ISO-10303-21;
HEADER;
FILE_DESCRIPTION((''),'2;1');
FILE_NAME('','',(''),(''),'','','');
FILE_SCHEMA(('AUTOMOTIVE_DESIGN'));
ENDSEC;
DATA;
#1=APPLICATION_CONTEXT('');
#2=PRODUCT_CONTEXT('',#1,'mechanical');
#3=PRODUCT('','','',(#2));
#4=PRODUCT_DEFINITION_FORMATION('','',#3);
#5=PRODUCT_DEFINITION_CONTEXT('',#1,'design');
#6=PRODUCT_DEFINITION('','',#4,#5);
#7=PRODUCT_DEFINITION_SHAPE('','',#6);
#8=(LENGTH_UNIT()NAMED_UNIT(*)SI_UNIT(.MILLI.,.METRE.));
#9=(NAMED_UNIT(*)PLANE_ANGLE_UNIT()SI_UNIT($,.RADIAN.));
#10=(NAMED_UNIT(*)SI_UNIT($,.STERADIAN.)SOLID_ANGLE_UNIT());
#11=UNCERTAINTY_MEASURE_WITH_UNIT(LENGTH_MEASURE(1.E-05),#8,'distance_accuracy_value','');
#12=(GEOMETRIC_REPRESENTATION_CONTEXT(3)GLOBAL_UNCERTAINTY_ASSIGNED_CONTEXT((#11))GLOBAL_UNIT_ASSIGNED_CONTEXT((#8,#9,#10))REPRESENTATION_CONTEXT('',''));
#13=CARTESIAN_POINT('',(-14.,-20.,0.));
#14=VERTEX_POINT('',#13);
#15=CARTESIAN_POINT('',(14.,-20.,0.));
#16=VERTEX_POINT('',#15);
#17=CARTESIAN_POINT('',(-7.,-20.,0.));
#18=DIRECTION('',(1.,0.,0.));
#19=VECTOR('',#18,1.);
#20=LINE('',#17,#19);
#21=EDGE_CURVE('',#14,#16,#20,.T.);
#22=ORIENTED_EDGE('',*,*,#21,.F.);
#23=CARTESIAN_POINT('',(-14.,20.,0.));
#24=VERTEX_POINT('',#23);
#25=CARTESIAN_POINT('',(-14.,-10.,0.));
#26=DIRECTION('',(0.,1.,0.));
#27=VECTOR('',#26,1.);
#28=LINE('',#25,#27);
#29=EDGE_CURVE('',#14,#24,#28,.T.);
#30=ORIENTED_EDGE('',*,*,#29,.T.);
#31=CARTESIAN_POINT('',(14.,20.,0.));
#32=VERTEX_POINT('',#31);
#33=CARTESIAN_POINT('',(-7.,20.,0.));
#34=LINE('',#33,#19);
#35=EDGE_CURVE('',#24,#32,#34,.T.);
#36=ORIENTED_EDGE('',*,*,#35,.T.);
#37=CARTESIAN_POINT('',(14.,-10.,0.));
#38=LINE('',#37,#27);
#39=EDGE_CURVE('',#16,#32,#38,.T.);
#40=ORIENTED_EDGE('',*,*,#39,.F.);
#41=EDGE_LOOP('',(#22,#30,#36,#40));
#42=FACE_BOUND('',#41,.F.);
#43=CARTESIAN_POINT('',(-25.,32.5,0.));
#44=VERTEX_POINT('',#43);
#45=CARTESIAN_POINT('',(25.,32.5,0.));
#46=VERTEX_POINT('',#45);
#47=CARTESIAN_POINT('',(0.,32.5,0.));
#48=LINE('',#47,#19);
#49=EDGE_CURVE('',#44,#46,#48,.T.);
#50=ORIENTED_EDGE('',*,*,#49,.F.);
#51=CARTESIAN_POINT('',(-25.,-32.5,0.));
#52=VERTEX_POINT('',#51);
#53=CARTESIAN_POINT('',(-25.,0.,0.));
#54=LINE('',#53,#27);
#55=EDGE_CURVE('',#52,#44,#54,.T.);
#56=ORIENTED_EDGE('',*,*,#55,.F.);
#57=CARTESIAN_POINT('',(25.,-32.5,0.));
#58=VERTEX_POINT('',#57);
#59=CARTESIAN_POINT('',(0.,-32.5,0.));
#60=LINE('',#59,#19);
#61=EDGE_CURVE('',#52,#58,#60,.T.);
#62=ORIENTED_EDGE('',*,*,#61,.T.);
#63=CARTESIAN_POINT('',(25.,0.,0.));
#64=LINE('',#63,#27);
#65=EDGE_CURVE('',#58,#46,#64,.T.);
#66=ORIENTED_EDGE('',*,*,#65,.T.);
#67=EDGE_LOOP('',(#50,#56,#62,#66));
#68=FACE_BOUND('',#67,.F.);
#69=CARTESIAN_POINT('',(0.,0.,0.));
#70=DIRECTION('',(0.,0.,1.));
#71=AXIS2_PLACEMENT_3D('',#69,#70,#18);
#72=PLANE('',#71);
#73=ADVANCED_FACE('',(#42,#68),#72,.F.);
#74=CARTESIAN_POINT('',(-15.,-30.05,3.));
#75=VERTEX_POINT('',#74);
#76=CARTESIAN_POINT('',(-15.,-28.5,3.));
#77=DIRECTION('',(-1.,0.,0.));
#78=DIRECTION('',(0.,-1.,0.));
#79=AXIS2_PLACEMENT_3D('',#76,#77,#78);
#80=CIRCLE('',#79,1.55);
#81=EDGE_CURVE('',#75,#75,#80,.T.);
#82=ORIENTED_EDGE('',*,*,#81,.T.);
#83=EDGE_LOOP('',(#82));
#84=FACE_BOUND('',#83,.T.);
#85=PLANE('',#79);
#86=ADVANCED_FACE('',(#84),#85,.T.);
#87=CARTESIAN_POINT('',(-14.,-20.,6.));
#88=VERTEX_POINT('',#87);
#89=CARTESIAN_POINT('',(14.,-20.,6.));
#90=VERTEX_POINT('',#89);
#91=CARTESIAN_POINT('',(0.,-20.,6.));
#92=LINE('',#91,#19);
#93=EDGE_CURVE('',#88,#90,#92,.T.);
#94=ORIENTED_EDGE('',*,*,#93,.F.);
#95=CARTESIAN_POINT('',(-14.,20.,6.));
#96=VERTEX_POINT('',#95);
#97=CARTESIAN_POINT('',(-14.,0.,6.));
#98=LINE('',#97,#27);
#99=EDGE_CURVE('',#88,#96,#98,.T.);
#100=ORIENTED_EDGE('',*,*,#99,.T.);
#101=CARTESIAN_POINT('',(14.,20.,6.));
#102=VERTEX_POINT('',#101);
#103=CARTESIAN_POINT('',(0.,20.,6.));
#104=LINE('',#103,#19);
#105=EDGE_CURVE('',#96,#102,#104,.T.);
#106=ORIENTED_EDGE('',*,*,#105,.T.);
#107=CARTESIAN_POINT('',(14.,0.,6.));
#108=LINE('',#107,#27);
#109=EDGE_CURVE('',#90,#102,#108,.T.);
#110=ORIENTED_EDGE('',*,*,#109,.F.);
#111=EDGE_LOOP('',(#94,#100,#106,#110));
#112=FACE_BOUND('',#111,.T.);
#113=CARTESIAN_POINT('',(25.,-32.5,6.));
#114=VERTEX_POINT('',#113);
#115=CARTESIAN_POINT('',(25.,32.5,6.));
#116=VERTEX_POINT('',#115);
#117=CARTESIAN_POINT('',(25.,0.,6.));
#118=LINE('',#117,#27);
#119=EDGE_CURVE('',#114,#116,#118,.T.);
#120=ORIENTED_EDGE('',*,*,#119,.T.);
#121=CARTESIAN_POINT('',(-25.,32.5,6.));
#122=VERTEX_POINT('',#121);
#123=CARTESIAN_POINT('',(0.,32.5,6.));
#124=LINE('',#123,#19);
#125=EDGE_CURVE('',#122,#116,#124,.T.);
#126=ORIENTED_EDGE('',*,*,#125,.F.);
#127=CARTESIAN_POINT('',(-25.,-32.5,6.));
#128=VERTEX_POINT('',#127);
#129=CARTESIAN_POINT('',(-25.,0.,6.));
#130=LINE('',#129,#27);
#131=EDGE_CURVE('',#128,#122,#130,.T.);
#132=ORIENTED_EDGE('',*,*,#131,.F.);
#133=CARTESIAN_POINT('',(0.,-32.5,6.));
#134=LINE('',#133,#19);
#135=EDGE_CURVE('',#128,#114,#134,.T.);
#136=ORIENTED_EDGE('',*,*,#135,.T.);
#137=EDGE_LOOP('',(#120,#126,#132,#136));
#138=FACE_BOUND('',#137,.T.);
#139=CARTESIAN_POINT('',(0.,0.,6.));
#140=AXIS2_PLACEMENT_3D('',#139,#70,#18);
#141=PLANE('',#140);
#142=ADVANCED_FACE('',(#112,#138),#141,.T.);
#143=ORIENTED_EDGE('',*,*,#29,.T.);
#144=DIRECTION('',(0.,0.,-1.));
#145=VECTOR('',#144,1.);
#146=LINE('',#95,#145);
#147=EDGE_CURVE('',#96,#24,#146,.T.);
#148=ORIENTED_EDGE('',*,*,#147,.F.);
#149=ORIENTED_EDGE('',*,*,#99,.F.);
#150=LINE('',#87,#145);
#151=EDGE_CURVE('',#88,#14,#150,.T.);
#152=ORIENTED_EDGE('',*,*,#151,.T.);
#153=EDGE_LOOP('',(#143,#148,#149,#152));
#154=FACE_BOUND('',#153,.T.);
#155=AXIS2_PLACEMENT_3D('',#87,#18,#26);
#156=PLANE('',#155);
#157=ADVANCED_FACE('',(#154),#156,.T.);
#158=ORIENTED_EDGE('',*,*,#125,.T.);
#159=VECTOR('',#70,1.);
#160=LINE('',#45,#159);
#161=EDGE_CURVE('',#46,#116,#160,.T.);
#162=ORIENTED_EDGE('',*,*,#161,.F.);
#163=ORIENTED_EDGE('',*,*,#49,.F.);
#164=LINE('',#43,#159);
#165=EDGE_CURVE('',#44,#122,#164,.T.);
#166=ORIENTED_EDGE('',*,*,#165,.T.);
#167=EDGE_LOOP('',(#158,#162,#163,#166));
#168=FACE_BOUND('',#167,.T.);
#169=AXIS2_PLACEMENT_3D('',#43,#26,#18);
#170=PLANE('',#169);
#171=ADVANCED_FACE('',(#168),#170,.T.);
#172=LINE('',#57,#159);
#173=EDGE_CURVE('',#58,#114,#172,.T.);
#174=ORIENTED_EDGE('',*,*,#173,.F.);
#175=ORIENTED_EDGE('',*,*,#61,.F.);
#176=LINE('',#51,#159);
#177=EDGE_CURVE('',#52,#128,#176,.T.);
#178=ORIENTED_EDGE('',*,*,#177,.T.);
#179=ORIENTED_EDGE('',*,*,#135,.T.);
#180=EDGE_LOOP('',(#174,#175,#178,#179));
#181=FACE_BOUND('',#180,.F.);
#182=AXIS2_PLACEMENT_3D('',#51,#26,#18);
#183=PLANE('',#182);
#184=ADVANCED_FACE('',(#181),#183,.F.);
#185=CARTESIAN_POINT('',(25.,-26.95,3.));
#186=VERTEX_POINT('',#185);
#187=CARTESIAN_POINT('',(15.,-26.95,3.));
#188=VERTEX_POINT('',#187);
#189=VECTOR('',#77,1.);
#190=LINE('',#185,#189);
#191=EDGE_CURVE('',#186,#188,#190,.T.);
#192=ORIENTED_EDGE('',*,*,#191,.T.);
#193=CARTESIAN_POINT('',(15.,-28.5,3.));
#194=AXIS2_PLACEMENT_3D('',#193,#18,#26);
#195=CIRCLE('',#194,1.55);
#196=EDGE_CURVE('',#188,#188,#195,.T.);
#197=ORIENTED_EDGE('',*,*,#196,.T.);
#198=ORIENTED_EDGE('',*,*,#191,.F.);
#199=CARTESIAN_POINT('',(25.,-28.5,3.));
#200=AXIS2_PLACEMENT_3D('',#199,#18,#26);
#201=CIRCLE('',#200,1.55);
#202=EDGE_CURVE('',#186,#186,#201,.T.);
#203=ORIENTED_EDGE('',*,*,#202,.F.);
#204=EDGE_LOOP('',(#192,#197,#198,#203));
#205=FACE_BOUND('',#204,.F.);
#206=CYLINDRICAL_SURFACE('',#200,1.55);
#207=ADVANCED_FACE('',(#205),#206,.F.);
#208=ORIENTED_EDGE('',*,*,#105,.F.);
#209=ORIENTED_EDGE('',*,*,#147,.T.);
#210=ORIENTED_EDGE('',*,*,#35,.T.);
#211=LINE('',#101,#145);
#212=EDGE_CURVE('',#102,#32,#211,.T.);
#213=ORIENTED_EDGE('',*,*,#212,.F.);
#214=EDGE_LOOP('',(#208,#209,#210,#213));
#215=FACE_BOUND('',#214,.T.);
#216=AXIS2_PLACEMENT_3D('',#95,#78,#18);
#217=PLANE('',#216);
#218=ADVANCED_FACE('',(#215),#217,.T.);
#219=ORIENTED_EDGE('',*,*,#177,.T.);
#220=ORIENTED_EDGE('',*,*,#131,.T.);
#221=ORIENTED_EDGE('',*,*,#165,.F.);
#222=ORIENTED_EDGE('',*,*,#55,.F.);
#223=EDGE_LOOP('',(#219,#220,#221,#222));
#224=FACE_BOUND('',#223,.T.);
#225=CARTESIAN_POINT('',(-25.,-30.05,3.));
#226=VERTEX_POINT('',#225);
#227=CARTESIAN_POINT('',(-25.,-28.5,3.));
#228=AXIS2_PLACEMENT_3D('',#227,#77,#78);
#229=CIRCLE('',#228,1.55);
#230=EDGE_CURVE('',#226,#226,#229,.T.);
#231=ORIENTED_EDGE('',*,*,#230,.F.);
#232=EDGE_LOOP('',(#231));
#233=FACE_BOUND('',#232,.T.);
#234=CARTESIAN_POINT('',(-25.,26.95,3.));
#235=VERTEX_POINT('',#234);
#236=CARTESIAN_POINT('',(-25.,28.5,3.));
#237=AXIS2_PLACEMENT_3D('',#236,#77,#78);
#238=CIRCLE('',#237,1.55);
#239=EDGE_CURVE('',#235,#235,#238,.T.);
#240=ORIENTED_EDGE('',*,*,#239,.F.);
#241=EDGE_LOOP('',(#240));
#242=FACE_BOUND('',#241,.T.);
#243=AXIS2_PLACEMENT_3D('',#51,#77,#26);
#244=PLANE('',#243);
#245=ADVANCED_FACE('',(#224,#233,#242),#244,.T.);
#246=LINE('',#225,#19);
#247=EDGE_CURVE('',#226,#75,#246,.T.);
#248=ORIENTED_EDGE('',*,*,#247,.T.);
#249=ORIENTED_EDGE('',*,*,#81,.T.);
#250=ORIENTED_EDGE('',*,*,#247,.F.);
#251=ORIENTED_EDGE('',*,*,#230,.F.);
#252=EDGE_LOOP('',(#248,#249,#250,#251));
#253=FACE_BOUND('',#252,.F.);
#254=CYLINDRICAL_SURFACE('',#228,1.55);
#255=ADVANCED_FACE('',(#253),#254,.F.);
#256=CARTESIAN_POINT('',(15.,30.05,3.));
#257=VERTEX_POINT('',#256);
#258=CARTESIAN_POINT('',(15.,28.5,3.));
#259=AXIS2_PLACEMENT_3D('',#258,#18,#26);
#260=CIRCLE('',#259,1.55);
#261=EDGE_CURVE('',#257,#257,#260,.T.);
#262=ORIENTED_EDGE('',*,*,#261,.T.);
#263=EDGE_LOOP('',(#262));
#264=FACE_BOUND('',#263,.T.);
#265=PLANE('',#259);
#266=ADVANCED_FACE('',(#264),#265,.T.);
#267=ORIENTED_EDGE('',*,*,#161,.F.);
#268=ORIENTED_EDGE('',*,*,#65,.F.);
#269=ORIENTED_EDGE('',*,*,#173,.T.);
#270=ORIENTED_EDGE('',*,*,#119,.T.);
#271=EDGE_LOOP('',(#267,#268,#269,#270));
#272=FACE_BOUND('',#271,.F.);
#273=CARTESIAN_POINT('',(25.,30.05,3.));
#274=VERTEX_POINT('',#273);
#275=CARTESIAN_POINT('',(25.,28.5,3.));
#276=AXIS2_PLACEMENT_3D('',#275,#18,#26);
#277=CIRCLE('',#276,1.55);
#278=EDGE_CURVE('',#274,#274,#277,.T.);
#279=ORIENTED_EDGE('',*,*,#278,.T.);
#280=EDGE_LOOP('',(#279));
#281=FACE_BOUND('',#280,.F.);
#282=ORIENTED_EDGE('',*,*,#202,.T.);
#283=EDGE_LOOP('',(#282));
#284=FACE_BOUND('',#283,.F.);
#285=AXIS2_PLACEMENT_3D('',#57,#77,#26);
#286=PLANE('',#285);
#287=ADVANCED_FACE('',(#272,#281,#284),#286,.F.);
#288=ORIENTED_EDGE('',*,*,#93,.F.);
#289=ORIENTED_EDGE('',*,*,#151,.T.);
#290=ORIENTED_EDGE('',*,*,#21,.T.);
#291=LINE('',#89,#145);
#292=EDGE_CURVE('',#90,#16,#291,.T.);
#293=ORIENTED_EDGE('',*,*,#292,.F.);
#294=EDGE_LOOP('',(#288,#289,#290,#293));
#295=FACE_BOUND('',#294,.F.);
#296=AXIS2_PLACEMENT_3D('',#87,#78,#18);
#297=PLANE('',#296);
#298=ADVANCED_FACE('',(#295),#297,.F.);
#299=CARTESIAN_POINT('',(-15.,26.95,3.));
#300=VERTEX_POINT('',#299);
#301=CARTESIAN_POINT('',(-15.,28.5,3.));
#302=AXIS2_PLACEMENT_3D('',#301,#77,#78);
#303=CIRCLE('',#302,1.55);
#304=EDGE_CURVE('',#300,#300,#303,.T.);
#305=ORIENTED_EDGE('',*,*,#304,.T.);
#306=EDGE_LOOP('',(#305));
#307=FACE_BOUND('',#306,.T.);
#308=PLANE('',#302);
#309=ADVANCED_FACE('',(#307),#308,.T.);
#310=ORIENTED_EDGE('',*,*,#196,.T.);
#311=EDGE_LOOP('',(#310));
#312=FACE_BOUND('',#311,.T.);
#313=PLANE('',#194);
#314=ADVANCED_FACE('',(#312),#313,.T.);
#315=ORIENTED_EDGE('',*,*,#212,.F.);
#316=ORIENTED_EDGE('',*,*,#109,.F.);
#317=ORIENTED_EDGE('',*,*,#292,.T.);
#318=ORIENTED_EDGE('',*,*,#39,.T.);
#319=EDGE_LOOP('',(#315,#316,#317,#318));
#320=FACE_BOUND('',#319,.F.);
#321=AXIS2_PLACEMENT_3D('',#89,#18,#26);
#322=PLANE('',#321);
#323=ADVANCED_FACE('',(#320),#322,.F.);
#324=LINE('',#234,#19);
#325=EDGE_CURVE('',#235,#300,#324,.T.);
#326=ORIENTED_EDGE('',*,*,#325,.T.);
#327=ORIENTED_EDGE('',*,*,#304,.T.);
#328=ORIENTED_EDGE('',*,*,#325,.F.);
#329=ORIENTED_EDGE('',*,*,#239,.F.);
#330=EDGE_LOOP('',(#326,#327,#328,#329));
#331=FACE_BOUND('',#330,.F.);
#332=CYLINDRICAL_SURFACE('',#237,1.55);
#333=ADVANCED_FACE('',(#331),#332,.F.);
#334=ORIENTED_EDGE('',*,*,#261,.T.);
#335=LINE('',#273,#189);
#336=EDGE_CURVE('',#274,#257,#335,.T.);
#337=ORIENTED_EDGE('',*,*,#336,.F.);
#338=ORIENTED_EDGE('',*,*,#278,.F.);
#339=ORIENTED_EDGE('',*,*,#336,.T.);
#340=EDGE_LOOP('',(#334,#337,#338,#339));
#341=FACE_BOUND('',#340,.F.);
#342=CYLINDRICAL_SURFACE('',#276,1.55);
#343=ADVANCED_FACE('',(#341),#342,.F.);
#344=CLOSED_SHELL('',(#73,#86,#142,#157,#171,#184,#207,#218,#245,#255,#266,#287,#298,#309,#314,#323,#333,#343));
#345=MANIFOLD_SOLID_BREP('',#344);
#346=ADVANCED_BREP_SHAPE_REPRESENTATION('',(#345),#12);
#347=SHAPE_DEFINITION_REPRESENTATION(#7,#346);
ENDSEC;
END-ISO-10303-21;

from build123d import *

# Parameters (mm, degrees)
F0_W     = 50
F0_H     = 65
F1_DEPTH = 6
F2_W     = 28
F2_H     = 40
F3_DEPTH = 25
F4_R     = 1.55
F5_DEPTH = 10
F6_R     = 1.55
F7_DEPTH = 10


with BuildPart() as f1:
    # F0 (on Top) → F1 (new body)
    with BuildSketch(Plane.XY):
        Rectangle(F0_W, F0_H)
    extrude(amount=F1_DEPTH)

    # F2 (on face) → F3 (cut)
    with BuildSketch(Plane.XY.offset(6)):
        Rectangle(F2_W, F2_H)
    extrude(amount=-F3_DEPTH, mode=Mode.SUBTRACT)

    # F4 (on face) → F5 (cut)
    with BuildSketch(Plane.YZ.offset(25)):
        with BuildLine():
            ThreePointArc((-30.05, 3), (-28.5, 1.45), (-26.95, 3))
            ThreePointArc((-26.95, 3), (-28.5, 4.55), (-30.05, 3))
        make_face()
        with Locations((28.5, 3)):
            Circle(F4_R)
    extrude(amount=-F5_DEPTH, mode=Mode.SUBTRACT)

    # F6 (on face) → F7 (cut)
    with BuildSketch(Plane(origin=(-25, 0, 0), x_dir=(0, -1, 0), z_dir=(-1, 0, 0))):
        with BuildLine():
            ThreePointArc((-30.05, 3), (-28.5, 1.45), (-26.95, 3))
            ThreePointArc((-26.95, 3), (-28.5, 4.55), (-30.05, 3))
        make_face()
        with Locations((28.5, 3)):
            Circle(F6_R)
    extrude(amount=-F7_DEPTH, mode=Mode.SUBTRACT)


solid = f1.part
